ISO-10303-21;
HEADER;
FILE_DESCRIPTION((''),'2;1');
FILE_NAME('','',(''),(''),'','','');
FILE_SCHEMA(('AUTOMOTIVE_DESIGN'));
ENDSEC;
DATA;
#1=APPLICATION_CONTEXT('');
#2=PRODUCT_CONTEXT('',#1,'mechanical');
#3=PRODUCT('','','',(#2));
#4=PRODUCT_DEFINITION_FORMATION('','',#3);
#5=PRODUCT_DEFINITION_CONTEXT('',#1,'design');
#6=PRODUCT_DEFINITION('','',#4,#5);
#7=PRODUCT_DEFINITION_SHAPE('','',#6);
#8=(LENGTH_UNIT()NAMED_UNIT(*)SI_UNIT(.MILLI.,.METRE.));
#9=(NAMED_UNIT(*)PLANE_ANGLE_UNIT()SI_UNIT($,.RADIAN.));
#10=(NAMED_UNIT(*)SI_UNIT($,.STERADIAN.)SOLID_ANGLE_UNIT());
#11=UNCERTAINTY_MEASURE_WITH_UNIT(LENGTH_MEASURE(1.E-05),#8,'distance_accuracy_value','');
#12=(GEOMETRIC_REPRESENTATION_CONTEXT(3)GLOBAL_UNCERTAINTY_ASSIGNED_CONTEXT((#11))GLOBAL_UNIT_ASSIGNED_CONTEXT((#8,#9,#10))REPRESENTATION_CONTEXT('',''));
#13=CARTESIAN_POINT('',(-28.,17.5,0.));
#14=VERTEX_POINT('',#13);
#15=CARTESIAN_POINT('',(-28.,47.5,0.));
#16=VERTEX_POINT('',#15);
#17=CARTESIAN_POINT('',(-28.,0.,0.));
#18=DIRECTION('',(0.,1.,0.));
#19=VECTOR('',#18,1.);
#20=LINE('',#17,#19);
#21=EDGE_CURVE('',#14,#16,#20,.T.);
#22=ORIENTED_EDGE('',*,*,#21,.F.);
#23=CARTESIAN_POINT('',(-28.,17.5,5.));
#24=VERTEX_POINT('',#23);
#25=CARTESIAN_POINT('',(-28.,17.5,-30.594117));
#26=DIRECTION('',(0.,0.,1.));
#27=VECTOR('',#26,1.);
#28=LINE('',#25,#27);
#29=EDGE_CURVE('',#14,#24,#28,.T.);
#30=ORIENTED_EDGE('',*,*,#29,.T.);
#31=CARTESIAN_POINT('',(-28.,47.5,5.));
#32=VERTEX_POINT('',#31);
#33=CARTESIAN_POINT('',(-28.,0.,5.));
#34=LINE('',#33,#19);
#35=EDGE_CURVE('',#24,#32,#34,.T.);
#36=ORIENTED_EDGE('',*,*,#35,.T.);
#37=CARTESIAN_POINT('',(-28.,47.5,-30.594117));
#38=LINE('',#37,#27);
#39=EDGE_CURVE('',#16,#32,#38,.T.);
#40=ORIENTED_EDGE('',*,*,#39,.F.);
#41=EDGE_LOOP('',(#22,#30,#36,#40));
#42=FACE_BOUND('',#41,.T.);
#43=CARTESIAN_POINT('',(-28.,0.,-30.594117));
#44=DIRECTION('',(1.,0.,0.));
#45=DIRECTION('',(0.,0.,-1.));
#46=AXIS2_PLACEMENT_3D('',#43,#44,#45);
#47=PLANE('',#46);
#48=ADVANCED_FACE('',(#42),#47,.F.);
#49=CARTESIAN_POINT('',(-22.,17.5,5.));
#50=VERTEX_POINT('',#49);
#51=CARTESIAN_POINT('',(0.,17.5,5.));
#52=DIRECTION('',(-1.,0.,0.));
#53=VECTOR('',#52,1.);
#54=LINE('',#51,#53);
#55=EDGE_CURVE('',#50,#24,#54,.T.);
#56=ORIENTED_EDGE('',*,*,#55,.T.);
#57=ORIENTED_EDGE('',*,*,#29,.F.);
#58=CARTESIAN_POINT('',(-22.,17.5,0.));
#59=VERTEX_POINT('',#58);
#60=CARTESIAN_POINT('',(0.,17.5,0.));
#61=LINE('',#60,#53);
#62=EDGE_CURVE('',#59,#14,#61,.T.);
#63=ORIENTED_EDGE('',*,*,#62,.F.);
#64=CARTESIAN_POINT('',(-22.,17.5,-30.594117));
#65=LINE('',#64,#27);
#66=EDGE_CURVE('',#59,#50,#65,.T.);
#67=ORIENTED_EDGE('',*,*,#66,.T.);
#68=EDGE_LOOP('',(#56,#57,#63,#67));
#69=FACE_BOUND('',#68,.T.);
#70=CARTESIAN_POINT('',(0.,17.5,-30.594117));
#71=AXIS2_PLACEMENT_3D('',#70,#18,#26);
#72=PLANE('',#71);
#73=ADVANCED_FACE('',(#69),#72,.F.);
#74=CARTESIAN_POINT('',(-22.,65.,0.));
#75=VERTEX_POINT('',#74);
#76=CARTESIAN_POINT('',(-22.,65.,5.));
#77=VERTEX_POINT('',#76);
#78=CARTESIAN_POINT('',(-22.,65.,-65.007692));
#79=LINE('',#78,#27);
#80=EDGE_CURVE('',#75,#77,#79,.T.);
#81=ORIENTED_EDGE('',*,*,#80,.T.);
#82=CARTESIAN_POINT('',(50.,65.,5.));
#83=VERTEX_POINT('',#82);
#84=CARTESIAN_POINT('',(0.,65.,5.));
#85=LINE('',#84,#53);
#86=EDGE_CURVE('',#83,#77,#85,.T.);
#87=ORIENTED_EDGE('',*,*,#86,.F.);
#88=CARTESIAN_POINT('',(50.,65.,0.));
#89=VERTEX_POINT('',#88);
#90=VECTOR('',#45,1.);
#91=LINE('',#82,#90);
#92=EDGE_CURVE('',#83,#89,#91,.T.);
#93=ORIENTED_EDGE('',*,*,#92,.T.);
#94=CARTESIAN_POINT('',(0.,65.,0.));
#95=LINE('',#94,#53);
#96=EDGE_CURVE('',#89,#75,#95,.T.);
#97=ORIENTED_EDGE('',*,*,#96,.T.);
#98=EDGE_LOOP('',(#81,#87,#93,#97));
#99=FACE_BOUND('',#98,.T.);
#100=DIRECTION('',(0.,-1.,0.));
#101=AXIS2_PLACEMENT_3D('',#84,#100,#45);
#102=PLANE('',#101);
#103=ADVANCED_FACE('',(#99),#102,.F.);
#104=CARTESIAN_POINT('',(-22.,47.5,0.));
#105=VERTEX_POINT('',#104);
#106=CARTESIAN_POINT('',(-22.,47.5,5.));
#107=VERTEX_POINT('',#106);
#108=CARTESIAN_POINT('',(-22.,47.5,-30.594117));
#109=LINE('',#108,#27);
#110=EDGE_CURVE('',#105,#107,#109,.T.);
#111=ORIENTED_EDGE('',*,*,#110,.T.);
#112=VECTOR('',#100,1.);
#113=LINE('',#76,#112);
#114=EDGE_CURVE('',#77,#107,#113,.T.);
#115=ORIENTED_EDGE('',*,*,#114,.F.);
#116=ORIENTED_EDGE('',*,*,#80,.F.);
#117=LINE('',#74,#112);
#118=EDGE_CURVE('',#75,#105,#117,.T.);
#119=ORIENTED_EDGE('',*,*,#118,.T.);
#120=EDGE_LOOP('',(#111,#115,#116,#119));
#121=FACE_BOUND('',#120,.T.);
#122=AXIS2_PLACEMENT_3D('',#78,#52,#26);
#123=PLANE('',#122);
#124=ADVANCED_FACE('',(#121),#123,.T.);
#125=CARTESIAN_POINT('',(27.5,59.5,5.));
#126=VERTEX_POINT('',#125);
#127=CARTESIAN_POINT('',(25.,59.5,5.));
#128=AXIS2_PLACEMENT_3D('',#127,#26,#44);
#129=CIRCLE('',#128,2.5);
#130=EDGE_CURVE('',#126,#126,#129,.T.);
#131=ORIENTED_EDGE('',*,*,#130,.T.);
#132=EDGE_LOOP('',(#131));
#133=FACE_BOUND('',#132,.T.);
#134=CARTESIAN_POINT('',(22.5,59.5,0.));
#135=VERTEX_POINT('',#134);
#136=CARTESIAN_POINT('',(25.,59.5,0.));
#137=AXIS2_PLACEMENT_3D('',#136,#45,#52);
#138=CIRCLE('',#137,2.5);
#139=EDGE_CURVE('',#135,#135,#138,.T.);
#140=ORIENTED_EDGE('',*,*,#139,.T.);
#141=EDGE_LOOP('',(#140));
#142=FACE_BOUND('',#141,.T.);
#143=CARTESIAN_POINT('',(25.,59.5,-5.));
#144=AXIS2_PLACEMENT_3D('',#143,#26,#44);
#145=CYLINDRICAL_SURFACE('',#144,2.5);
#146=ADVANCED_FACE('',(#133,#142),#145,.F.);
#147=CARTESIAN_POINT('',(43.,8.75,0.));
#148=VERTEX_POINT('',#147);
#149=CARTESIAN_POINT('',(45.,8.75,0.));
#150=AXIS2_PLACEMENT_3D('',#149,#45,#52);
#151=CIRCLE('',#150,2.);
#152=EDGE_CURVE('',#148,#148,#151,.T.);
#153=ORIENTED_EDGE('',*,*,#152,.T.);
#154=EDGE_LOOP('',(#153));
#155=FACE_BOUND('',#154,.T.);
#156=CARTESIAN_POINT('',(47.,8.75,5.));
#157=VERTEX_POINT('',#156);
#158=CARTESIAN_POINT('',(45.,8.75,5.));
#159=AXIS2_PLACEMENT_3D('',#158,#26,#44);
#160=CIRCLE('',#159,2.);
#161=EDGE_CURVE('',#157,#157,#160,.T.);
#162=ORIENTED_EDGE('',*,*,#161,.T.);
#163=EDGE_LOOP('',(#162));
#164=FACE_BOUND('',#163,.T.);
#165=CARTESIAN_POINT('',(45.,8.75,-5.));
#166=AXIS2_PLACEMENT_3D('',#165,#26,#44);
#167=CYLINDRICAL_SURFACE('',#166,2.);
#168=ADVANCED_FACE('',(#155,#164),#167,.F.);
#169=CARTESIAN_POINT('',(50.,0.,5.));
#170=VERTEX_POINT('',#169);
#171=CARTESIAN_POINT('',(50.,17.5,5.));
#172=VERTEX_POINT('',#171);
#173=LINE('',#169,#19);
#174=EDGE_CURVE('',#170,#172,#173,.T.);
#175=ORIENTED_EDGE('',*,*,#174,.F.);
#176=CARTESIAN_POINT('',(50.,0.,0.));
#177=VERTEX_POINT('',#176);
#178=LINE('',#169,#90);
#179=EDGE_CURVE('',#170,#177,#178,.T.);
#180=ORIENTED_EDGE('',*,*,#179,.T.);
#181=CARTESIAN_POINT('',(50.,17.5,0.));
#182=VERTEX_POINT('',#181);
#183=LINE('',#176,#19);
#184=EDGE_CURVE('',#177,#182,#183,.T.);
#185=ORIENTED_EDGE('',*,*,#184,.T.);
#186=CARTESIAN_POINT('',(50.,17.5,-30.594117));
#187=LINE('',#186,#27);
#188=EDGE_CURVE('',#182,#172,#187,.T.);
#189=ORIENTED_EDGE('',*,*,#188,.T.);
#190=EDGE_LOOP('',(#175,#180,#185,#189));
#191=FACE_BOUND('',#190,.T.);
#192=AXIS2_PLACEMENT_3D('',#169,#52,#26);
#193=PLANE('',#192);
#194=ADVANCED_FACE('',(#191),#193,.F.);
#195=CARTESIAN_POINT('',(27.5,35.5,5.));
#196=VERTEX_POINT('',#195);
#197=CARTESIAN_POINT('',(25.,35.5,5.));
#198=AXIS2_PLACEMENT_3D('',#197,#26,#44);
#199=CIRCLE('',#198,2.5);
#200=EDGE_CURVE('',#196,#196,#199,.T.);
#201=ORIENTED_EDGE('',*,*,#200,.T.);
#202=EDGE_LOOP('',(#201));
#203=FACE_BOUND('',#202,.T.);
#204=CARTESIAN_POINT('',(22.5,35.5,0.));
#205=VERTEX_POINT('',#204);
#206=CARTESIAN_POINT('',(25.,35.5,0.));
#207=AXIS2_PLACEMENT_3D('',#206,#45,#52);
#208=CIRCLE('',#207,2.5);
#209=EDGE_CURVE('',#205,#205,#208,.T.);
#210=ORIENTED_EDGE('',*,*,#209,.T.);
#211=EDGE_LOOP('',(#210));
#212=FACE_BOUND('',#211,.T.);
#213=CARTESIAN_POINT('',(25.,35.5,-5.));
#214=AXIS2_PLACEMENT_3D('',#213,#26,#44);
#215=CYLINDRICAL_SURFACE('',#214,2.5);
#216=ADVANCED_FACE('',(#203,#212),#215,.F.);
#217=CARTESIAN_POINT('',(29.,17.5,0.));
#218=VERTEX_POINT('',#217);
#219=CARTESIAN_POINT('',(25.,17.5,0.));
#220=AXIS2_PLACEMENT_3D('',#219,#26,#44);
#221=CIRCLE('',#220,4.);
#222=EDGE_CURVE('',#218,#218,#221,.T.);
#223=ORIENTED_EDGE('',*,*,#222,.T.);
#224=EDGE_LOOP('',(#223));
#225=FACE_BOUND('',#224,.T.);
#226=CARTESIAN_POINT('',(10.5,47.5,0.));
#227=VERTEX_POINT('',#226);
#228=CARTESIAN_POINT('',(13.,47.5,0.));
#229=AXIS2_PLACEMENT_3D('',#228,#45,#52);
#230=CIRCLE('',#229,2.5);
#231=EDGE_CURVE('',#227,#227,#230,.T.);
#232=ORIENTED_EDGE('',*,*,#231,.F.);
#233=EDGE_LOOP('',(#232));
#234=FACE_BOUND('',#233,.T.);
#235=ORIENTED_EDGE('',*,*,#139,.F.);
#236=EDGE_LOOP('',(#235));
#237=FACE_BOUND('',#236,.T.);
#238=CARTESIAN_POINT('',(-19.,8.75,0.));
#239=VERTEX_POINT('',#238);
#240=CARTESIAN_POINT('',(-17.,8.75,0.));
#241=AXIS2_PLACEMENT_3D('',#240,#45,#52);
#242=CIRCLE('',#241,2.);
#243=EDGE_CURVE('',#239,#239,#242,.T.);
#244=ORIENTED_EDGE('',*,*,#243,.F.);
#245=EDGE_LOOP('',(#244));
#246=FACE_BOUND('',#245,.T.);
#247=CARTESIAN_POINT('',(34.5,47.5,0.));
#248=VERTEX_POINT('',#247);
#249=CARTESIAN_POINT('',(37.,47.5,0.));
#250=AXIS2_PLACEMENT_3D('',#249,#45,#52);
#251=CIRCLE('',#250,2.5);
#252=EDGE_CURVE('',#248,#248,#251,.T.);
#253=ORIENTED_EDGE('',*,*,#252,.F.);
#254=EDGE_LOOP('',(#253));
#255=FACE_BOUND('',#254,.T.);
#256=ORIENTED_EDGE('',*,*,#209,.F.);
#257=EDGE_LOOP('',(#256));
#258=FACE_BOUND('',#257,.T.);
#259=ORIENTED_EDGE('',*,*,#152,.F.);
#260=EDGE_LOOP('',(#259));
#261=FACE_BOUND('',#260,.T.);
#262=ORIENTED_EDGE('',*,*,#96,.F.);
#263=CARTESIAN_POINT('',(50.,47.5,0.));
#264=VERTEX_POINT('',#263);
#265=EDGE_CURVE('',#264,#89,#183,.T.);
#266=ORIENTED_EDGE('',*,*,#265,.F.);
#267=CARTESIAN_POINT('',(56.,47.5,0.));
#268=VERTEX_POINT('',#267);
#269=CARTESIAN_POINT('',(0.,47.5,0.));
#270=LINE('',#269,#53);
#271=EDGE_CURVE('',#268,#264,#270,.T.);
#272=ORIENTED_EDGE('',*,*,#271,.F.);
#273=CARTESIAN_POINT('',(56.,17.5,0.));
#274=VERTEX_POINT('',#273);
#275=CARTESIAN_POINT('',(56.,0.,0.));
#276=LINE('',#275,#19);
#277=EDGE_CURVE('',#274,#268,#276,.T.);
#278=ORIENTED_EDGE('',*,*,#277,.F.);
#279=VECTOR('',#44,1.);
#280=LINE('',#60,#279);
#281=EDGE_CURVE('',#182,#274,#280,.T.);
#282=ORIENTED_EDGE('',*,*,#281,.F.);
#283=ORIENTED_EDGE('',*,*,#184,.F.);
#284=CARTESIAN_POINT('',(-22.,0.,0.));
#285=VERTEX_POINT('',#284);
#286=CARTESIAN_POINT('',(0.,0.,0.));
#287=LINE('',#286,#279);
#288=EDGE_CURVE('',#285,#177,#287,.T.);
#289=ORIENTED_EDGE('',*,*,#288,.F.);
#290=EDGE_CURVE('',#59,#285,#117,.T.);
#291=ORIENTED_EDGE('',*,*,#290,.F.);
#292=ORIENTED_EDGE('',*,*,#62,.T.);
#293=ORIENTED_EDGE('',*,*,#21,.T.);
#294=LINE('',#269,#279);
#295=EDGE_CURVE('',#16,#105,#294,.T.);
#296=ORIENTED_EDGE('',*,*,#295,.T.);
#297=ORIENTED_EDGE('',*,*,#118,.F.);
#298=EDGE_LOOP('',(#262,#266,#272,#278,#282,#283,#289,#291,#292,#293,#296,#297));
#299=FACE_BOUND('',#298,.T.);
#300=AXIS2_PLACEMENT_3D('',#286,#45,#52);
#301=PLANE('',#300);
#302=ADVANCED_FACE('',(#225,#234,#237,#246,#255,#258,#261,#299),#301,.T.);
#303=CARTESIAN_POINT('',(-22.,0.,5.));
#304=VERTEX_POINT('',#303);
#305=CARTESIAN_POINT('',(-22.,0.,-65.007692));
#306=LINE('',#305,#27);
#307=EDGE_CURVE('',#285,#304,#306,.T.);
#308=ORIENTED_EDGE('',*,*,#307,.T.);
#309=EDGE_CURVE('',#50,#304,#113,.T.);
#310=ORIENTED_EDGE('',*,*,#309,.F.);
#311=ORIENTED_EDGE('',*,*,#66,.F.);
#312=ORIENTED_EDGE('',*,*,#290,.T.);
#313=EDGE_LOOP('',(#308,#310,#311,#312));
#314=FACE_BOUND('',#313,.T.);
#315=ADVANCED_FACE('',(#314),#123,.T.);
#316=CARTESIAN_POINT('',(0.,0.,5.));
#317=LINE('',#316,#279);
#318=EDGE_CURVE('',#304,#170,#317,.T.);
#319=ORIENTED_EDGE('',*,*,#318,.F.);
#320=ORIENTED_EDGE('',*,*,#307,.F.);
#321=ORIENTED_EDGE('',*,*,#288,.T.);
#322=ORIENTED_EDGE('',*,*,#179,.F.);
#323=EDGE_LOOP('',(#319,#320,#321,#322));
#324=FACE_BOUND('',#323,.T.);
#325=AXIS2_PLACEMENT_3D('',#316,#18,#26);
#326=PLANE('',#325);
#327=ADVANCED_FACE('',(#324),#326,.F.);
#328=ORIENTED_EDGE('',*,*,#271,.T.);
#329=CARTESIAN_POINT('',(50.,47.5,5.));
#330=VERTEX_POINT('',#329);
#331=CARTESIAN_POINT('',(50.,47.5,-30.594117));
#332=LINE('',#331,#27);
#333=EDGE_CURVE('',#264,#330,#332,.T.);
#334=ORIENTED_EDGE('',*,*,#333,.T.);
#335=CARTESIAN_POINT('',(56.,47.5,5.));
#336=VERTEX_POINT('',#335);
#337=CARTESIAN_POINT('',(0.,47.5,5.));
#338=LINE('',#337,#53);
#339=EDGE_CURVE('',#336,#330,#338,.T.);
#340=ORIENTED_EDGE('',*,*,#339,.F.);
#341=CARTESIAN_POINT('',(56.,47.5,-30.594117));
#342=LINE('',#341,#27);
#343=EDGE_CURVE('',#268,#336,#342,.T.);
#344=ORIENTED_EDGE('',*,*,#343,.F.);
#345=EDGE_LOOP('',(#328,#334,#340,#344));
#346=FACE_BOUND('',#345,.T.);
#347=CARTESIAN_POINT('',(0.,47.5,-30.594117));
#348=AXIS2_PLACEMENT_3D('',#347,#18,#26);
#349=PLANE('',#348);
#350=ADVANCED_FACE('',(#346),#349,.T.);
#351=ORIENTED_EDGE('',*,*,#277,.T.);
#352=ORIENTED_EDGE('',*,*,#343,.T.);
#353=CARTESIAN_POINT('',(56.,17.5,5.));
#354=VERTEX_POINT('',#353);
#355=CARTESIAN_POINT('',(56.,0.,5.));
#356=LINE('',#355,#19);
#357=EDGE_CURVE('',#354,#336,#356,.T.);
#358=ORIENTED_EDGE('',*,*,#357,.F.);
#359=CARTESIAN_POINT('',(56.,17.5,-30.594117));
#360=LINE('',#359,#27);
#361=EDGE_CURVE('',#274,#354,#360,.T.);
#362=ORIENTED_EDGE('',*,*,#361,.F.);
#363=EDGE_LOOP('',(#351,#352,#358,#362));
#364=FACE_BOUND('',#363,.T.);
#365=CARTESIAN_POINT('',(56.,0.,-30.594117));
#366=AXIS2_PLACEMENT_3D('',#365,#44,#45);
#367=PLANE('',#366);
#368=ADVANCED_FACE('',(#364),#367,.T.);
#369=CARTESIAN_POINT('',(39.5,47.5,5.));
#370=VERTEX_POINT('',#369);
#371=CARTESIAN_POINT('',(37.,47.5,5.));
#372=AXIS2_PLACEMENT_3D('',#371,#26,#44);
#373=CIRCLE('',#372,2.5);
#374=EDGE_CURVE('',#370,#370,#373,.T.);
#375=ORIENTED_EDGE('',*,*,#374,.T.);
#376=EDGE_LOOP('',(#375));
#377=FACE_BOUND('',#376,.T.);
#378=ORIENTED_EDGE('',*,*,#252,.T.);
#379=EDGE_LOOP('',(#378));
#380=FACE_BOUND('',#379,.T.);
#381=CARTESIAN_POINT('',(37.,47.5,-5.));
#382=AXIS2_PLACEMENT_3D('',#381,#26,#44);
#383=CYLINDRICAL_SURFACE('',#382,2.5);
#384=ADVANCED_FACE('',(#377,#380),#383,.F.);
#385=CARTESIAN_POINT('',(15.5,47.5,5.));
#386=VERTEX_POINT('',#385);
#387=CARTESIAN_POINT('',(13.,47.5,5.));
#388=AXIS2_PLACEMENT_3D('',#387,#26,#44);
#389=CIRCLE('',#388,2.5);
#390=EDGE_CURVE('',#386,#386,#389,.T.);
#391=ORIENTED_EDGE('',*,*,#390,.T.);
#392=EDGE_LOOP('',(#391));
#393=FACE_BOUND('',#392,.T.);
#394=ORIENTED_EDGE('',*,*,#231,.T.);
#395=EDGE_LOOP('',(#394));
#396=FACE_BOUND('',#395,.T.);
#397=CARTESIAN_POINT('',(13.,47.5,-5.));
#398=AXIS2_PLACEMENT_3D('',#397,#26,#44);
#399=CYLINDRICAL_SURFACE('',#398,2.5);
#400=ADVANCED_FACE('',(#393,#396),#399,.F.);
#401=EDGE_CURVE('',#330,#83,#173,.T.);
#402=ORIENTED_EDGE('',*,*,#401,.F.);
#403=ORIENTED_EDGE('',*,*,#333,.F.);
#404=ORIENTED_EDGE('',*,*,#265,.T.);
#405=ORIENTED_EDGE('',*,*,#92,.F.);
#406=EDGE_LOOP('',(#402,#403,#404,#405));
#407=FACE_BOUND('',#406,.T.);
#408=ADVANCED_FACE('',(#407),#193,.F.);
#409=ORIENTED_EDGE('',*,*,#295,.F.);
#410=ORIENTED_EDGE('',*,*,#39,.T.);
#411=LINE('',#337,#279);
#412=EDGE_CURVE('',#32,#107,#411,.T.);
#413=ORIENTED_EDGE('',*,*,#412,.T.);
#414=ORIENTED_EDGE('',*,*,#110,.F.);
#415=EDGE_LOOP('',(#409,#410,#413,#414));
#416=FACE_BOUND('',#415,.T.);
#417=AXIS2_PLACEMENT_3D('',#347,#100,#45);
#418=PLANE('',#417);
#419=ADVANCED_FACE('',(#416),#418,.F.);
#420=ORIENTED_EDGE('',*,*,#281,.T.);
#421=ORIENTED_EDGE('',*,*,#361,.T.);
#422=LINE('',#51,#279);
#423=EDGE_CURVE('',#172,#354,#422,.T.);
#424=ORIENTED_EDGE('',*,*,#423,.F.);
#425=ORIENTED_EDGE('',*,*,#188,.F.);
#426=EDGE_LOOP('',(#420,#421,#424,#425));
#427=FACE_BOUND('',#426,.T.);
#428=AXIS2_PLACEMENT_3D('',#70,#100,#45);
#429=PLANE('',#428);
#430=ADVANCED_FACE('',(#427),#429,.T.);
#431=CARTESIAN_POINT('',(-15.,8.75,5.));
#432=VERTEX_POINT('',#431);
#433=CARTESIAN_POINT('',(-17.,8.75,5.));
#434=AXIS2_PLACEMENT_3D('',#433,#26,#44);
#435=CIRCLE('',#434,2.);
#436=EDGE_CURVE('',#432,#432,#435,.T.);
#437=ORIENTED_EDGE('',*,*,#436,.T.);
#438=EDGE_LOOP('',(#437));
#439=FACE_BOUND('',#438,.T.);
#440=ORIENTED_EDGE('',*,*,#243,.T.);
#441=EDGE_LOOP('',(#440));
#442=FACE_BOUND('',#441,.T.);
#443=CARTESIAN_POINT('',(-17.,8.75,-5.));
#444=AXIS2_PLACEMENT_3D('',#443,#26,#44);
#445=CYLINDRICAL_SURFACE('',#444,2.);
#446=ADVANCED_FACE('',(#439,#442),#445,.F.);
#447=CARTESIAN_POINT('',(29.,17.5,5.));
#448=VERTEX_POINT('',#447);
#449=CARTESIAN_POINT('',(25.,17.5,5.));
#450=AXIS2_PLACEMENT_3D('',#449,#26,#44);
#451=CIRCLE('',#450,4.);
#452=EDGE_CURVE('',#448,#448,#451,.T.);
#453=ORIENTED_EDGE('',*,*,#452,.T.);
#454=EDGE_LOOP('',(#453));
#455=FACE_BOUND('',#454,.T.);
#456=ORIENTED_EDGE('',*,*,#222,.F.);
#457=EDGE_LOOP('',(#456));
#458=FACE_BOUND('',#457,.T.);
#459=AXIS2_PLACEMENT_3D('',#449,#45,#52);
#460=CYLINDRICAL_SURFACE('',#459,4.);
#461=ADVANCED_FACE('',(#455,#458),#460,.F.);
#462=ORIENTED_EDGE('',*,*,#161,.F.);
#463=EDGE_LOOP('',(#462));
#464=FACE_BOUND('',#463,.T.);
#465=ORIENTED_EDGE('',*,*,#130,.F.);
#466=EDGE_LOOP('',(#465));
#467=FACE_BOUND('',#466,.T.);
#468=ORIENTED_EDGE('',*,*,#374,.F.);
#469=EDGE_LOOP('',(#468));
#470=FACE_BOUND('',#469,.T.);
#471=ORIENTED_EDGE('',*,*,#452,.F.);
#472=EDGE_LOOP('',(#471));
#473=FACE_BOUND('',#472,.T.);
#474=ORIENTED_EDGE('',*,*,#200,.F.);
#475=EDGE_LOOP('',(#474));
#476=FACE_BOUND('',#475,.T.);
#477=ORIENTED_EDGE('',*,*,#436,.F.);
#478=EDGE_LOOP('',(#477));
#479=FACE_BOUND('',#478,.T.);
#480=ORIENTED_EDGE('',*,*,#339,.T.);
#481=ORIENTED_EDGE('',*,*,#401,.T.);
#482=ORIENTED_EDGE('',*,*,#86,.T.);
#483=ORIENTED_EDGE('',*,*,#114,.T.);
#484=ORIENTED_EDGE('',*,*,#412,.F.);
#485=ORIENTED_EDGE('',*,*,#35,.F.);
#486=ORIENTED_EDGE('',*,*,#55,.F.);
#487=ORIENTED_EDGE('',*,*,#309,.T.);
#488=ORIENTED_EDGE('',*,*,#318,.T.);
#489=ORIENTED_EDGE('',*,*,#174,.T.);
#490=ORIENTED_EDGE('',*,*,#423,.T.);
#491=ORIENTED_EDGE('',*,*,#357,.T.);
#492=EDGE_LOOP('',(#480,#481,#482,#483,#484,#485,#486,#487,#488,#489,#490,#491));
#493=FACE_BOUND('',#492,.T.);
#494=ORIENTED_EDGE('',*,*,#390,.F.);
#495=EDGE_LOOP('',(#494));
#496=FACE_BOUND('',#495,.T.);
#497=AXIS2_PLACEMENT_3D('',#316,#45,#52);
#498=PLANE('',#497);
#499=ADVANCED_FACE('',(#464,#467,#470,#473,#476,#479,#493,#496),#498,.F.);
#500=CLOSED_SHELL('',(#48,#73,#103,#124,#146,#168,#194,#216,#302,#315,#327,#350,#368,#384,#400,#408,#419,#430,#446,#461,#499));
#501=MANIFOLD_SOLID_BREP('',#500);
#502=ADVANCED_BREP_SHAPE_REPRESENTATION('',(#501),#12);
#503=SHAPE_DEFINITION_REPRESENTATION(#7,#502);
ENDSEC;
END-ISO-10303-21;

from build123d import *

# Parameters (mm, degrees)
SKETCH2_W           = 50
SKETCH2_H           = 65
SKETCH2_R           = 2
SKETCH2_R_2         = 4
BOSS_EXTRUDE1_DEPTH = 5
SKETCH3_W           = 21
SKETCH3_H           = 65
BOSS_EXTRUDE2_DEPTH = 5
SKETCH4_W           = 1
SKETCH4_H           = 65
BOSS_EXTRUDE3_DEPTH = 5
BOSS_EXTRUDE4_DEPTH = 5
SKETCH6_R           = 2
CUT_EXTRUDE1_DEPTH  = 59
SKETCH7_R           = 1.5
CUT_EXTRUDE2_DEPTH  = 10
SKETCH7_4_R         = 1.5
CUT_EXTRUDE3_DEPTH  = 10
SKETCH7_5_R         = 1.5
BOSS_EXTRUDE5_DEPTH = 5
SKETCH8_R           = 2
CUT_EXTRUDE4_DEPTH  = 10
SKETCH9_R           = 2.5
CUT_EXTRUDE5_DEPTH  = 10


with BuildPart() as part:
    # Sketch2 → Boss-Extrude1 (new body)
    with BuildSketch(Plane.XY):
        with Locations((25, 32.5)):
            Rectangle(SKETCH2_W, SKETCH2_H)
        with Locations((25, 59.5)):
            Circle(SKETCH2_R, mode=Mode.SUBTRACT)
        with Locations((13, 47.5)):
            Circle(SKETCH2_R, mode=Mode.SUBTRACT)
        with Locations((37, 47.5)):
            Circle(SKETCH2_R, mode=Mode.SUBTRACT)
        with Locations((25, 17.5)):
            Circle(SKETCH2_R_2, mode=Mode.SUBTRACT)
    extrude(amount=BOSS_EXTRUDE1_DEPTH)

    # Sketch3 → Boss-Extrude2 (add)
    with BuildSketch(Plane.XY.offset(5)):
        with Locations((-10.5, 32.5)):
            Rectangle(SKETCH3_W, SKETCH3_H)
    extrude(amount=-BOSS_EXTRUDE2_DEPTH)

    # Sketch4 → Boss-Extrude3 (add)
    with BuildSketch(Plane.XY.offset(5)):
        with Locations((-21.5, 32.5)):
            Rectangle(SKETCH4_W, SKETCH4_H)
    extrude(amount=-BOSS_EXTRUDE3_DEPTH)

    # Sketch5 → Boss-Extrude4 (add)
    with BuildSketch(Plane.XY.offset(5)):
        Polygon((-22, 17.5), (-22, 32.5), (-22, 47.5), (-28, 47.5), (-28, 17.5), align=None)
        Polygon((56, 17.5), (56, 47.5), (50, 47.5), (50, 32.5), (50, 17.5), align=None)
    extrude(amount=-BOSS_EXTRUDE4_DEPTH)

    # Sketch6 → Cut-Extrude1 (cut)
    with BuildSketch(Plane.XY.offset(5)):
        with Locations((25, 35.5)):
            Circle(SKETCH6_R)
    extrude(amount=-CUT_EXTRUDE1_DEPTH, mode=Mode.SUBTRACT)

    # Sketch7 → Cut-Extrude2 (cut)
    with BuildSketch(Plane.XY.offset(5)):
        with Locations((-17, 56.25)):
            Circle(SKETCH7_R)
        with Locations((45, 56.25)):
            Circle(SKETCH7_R)
    extrude(amount=-CUT_EXTRUDE2_DEPTH, mode=Mode.SUBTRACT)

    # Sketch7<4> → Cut-Extrude3 (cut)
    with BuildSketch(Plane.XY.offset(5)):
        with Locations((45, 8.75)):
            Circle(SKETCH7_4_R)
        with Locations((-17, 8.75)):
            Circle(SKETCH7_4_R)
    extrude(amount=-CUT_EXTRUDE3_DEPTH, mode=Mode.SUBTRACT)

    # Sketch7<5> → Boss-Extrude5 (add)
    with BuildSketch(Plane.XY.offset(5)):
        with Locations((-17, 56.25)):
            Circle(SKETCH7_5_R)
        with Locations((45, 56.25)):
            Circle(SKETCH7_5_R)
    extrude(amount=-BOSS_EXTRUDE5_DEPTH)

    # Sketch8 → Cut-Extrude4 (cut)
    with BuildSketch(Plane.XY.offset(5)):
        with Locations((-17, 8.75)):
            Circle(SKETCH8_R)
        with Locations((45, 8.75)):
            Circle(SKETCH8_R)
    extrude(amount=-CUT_EXTRUDE4_DEPTH, mode=Mode.SUBTRACT)

    # Sketch9 → Cut-Extrude5 (cut)
    with BuildSketch(Plane.XY.offset(5)):
        with Locations((25, 59.5)):
            Circle(SKETCH9_R)
        with Locations((25, 35.5)):
            Circle(SKETCH9_R)
        with Locations((13, 47.5)):
            Circle(SKETCH9_R)
        with Locations((37, 47.5)):
            Circle(SKETCH9_R)
    extrude(amount=-CUT_EXTRUDE5_DEPTH, mode=Mode.SUBTRACT)


solid = part.part
